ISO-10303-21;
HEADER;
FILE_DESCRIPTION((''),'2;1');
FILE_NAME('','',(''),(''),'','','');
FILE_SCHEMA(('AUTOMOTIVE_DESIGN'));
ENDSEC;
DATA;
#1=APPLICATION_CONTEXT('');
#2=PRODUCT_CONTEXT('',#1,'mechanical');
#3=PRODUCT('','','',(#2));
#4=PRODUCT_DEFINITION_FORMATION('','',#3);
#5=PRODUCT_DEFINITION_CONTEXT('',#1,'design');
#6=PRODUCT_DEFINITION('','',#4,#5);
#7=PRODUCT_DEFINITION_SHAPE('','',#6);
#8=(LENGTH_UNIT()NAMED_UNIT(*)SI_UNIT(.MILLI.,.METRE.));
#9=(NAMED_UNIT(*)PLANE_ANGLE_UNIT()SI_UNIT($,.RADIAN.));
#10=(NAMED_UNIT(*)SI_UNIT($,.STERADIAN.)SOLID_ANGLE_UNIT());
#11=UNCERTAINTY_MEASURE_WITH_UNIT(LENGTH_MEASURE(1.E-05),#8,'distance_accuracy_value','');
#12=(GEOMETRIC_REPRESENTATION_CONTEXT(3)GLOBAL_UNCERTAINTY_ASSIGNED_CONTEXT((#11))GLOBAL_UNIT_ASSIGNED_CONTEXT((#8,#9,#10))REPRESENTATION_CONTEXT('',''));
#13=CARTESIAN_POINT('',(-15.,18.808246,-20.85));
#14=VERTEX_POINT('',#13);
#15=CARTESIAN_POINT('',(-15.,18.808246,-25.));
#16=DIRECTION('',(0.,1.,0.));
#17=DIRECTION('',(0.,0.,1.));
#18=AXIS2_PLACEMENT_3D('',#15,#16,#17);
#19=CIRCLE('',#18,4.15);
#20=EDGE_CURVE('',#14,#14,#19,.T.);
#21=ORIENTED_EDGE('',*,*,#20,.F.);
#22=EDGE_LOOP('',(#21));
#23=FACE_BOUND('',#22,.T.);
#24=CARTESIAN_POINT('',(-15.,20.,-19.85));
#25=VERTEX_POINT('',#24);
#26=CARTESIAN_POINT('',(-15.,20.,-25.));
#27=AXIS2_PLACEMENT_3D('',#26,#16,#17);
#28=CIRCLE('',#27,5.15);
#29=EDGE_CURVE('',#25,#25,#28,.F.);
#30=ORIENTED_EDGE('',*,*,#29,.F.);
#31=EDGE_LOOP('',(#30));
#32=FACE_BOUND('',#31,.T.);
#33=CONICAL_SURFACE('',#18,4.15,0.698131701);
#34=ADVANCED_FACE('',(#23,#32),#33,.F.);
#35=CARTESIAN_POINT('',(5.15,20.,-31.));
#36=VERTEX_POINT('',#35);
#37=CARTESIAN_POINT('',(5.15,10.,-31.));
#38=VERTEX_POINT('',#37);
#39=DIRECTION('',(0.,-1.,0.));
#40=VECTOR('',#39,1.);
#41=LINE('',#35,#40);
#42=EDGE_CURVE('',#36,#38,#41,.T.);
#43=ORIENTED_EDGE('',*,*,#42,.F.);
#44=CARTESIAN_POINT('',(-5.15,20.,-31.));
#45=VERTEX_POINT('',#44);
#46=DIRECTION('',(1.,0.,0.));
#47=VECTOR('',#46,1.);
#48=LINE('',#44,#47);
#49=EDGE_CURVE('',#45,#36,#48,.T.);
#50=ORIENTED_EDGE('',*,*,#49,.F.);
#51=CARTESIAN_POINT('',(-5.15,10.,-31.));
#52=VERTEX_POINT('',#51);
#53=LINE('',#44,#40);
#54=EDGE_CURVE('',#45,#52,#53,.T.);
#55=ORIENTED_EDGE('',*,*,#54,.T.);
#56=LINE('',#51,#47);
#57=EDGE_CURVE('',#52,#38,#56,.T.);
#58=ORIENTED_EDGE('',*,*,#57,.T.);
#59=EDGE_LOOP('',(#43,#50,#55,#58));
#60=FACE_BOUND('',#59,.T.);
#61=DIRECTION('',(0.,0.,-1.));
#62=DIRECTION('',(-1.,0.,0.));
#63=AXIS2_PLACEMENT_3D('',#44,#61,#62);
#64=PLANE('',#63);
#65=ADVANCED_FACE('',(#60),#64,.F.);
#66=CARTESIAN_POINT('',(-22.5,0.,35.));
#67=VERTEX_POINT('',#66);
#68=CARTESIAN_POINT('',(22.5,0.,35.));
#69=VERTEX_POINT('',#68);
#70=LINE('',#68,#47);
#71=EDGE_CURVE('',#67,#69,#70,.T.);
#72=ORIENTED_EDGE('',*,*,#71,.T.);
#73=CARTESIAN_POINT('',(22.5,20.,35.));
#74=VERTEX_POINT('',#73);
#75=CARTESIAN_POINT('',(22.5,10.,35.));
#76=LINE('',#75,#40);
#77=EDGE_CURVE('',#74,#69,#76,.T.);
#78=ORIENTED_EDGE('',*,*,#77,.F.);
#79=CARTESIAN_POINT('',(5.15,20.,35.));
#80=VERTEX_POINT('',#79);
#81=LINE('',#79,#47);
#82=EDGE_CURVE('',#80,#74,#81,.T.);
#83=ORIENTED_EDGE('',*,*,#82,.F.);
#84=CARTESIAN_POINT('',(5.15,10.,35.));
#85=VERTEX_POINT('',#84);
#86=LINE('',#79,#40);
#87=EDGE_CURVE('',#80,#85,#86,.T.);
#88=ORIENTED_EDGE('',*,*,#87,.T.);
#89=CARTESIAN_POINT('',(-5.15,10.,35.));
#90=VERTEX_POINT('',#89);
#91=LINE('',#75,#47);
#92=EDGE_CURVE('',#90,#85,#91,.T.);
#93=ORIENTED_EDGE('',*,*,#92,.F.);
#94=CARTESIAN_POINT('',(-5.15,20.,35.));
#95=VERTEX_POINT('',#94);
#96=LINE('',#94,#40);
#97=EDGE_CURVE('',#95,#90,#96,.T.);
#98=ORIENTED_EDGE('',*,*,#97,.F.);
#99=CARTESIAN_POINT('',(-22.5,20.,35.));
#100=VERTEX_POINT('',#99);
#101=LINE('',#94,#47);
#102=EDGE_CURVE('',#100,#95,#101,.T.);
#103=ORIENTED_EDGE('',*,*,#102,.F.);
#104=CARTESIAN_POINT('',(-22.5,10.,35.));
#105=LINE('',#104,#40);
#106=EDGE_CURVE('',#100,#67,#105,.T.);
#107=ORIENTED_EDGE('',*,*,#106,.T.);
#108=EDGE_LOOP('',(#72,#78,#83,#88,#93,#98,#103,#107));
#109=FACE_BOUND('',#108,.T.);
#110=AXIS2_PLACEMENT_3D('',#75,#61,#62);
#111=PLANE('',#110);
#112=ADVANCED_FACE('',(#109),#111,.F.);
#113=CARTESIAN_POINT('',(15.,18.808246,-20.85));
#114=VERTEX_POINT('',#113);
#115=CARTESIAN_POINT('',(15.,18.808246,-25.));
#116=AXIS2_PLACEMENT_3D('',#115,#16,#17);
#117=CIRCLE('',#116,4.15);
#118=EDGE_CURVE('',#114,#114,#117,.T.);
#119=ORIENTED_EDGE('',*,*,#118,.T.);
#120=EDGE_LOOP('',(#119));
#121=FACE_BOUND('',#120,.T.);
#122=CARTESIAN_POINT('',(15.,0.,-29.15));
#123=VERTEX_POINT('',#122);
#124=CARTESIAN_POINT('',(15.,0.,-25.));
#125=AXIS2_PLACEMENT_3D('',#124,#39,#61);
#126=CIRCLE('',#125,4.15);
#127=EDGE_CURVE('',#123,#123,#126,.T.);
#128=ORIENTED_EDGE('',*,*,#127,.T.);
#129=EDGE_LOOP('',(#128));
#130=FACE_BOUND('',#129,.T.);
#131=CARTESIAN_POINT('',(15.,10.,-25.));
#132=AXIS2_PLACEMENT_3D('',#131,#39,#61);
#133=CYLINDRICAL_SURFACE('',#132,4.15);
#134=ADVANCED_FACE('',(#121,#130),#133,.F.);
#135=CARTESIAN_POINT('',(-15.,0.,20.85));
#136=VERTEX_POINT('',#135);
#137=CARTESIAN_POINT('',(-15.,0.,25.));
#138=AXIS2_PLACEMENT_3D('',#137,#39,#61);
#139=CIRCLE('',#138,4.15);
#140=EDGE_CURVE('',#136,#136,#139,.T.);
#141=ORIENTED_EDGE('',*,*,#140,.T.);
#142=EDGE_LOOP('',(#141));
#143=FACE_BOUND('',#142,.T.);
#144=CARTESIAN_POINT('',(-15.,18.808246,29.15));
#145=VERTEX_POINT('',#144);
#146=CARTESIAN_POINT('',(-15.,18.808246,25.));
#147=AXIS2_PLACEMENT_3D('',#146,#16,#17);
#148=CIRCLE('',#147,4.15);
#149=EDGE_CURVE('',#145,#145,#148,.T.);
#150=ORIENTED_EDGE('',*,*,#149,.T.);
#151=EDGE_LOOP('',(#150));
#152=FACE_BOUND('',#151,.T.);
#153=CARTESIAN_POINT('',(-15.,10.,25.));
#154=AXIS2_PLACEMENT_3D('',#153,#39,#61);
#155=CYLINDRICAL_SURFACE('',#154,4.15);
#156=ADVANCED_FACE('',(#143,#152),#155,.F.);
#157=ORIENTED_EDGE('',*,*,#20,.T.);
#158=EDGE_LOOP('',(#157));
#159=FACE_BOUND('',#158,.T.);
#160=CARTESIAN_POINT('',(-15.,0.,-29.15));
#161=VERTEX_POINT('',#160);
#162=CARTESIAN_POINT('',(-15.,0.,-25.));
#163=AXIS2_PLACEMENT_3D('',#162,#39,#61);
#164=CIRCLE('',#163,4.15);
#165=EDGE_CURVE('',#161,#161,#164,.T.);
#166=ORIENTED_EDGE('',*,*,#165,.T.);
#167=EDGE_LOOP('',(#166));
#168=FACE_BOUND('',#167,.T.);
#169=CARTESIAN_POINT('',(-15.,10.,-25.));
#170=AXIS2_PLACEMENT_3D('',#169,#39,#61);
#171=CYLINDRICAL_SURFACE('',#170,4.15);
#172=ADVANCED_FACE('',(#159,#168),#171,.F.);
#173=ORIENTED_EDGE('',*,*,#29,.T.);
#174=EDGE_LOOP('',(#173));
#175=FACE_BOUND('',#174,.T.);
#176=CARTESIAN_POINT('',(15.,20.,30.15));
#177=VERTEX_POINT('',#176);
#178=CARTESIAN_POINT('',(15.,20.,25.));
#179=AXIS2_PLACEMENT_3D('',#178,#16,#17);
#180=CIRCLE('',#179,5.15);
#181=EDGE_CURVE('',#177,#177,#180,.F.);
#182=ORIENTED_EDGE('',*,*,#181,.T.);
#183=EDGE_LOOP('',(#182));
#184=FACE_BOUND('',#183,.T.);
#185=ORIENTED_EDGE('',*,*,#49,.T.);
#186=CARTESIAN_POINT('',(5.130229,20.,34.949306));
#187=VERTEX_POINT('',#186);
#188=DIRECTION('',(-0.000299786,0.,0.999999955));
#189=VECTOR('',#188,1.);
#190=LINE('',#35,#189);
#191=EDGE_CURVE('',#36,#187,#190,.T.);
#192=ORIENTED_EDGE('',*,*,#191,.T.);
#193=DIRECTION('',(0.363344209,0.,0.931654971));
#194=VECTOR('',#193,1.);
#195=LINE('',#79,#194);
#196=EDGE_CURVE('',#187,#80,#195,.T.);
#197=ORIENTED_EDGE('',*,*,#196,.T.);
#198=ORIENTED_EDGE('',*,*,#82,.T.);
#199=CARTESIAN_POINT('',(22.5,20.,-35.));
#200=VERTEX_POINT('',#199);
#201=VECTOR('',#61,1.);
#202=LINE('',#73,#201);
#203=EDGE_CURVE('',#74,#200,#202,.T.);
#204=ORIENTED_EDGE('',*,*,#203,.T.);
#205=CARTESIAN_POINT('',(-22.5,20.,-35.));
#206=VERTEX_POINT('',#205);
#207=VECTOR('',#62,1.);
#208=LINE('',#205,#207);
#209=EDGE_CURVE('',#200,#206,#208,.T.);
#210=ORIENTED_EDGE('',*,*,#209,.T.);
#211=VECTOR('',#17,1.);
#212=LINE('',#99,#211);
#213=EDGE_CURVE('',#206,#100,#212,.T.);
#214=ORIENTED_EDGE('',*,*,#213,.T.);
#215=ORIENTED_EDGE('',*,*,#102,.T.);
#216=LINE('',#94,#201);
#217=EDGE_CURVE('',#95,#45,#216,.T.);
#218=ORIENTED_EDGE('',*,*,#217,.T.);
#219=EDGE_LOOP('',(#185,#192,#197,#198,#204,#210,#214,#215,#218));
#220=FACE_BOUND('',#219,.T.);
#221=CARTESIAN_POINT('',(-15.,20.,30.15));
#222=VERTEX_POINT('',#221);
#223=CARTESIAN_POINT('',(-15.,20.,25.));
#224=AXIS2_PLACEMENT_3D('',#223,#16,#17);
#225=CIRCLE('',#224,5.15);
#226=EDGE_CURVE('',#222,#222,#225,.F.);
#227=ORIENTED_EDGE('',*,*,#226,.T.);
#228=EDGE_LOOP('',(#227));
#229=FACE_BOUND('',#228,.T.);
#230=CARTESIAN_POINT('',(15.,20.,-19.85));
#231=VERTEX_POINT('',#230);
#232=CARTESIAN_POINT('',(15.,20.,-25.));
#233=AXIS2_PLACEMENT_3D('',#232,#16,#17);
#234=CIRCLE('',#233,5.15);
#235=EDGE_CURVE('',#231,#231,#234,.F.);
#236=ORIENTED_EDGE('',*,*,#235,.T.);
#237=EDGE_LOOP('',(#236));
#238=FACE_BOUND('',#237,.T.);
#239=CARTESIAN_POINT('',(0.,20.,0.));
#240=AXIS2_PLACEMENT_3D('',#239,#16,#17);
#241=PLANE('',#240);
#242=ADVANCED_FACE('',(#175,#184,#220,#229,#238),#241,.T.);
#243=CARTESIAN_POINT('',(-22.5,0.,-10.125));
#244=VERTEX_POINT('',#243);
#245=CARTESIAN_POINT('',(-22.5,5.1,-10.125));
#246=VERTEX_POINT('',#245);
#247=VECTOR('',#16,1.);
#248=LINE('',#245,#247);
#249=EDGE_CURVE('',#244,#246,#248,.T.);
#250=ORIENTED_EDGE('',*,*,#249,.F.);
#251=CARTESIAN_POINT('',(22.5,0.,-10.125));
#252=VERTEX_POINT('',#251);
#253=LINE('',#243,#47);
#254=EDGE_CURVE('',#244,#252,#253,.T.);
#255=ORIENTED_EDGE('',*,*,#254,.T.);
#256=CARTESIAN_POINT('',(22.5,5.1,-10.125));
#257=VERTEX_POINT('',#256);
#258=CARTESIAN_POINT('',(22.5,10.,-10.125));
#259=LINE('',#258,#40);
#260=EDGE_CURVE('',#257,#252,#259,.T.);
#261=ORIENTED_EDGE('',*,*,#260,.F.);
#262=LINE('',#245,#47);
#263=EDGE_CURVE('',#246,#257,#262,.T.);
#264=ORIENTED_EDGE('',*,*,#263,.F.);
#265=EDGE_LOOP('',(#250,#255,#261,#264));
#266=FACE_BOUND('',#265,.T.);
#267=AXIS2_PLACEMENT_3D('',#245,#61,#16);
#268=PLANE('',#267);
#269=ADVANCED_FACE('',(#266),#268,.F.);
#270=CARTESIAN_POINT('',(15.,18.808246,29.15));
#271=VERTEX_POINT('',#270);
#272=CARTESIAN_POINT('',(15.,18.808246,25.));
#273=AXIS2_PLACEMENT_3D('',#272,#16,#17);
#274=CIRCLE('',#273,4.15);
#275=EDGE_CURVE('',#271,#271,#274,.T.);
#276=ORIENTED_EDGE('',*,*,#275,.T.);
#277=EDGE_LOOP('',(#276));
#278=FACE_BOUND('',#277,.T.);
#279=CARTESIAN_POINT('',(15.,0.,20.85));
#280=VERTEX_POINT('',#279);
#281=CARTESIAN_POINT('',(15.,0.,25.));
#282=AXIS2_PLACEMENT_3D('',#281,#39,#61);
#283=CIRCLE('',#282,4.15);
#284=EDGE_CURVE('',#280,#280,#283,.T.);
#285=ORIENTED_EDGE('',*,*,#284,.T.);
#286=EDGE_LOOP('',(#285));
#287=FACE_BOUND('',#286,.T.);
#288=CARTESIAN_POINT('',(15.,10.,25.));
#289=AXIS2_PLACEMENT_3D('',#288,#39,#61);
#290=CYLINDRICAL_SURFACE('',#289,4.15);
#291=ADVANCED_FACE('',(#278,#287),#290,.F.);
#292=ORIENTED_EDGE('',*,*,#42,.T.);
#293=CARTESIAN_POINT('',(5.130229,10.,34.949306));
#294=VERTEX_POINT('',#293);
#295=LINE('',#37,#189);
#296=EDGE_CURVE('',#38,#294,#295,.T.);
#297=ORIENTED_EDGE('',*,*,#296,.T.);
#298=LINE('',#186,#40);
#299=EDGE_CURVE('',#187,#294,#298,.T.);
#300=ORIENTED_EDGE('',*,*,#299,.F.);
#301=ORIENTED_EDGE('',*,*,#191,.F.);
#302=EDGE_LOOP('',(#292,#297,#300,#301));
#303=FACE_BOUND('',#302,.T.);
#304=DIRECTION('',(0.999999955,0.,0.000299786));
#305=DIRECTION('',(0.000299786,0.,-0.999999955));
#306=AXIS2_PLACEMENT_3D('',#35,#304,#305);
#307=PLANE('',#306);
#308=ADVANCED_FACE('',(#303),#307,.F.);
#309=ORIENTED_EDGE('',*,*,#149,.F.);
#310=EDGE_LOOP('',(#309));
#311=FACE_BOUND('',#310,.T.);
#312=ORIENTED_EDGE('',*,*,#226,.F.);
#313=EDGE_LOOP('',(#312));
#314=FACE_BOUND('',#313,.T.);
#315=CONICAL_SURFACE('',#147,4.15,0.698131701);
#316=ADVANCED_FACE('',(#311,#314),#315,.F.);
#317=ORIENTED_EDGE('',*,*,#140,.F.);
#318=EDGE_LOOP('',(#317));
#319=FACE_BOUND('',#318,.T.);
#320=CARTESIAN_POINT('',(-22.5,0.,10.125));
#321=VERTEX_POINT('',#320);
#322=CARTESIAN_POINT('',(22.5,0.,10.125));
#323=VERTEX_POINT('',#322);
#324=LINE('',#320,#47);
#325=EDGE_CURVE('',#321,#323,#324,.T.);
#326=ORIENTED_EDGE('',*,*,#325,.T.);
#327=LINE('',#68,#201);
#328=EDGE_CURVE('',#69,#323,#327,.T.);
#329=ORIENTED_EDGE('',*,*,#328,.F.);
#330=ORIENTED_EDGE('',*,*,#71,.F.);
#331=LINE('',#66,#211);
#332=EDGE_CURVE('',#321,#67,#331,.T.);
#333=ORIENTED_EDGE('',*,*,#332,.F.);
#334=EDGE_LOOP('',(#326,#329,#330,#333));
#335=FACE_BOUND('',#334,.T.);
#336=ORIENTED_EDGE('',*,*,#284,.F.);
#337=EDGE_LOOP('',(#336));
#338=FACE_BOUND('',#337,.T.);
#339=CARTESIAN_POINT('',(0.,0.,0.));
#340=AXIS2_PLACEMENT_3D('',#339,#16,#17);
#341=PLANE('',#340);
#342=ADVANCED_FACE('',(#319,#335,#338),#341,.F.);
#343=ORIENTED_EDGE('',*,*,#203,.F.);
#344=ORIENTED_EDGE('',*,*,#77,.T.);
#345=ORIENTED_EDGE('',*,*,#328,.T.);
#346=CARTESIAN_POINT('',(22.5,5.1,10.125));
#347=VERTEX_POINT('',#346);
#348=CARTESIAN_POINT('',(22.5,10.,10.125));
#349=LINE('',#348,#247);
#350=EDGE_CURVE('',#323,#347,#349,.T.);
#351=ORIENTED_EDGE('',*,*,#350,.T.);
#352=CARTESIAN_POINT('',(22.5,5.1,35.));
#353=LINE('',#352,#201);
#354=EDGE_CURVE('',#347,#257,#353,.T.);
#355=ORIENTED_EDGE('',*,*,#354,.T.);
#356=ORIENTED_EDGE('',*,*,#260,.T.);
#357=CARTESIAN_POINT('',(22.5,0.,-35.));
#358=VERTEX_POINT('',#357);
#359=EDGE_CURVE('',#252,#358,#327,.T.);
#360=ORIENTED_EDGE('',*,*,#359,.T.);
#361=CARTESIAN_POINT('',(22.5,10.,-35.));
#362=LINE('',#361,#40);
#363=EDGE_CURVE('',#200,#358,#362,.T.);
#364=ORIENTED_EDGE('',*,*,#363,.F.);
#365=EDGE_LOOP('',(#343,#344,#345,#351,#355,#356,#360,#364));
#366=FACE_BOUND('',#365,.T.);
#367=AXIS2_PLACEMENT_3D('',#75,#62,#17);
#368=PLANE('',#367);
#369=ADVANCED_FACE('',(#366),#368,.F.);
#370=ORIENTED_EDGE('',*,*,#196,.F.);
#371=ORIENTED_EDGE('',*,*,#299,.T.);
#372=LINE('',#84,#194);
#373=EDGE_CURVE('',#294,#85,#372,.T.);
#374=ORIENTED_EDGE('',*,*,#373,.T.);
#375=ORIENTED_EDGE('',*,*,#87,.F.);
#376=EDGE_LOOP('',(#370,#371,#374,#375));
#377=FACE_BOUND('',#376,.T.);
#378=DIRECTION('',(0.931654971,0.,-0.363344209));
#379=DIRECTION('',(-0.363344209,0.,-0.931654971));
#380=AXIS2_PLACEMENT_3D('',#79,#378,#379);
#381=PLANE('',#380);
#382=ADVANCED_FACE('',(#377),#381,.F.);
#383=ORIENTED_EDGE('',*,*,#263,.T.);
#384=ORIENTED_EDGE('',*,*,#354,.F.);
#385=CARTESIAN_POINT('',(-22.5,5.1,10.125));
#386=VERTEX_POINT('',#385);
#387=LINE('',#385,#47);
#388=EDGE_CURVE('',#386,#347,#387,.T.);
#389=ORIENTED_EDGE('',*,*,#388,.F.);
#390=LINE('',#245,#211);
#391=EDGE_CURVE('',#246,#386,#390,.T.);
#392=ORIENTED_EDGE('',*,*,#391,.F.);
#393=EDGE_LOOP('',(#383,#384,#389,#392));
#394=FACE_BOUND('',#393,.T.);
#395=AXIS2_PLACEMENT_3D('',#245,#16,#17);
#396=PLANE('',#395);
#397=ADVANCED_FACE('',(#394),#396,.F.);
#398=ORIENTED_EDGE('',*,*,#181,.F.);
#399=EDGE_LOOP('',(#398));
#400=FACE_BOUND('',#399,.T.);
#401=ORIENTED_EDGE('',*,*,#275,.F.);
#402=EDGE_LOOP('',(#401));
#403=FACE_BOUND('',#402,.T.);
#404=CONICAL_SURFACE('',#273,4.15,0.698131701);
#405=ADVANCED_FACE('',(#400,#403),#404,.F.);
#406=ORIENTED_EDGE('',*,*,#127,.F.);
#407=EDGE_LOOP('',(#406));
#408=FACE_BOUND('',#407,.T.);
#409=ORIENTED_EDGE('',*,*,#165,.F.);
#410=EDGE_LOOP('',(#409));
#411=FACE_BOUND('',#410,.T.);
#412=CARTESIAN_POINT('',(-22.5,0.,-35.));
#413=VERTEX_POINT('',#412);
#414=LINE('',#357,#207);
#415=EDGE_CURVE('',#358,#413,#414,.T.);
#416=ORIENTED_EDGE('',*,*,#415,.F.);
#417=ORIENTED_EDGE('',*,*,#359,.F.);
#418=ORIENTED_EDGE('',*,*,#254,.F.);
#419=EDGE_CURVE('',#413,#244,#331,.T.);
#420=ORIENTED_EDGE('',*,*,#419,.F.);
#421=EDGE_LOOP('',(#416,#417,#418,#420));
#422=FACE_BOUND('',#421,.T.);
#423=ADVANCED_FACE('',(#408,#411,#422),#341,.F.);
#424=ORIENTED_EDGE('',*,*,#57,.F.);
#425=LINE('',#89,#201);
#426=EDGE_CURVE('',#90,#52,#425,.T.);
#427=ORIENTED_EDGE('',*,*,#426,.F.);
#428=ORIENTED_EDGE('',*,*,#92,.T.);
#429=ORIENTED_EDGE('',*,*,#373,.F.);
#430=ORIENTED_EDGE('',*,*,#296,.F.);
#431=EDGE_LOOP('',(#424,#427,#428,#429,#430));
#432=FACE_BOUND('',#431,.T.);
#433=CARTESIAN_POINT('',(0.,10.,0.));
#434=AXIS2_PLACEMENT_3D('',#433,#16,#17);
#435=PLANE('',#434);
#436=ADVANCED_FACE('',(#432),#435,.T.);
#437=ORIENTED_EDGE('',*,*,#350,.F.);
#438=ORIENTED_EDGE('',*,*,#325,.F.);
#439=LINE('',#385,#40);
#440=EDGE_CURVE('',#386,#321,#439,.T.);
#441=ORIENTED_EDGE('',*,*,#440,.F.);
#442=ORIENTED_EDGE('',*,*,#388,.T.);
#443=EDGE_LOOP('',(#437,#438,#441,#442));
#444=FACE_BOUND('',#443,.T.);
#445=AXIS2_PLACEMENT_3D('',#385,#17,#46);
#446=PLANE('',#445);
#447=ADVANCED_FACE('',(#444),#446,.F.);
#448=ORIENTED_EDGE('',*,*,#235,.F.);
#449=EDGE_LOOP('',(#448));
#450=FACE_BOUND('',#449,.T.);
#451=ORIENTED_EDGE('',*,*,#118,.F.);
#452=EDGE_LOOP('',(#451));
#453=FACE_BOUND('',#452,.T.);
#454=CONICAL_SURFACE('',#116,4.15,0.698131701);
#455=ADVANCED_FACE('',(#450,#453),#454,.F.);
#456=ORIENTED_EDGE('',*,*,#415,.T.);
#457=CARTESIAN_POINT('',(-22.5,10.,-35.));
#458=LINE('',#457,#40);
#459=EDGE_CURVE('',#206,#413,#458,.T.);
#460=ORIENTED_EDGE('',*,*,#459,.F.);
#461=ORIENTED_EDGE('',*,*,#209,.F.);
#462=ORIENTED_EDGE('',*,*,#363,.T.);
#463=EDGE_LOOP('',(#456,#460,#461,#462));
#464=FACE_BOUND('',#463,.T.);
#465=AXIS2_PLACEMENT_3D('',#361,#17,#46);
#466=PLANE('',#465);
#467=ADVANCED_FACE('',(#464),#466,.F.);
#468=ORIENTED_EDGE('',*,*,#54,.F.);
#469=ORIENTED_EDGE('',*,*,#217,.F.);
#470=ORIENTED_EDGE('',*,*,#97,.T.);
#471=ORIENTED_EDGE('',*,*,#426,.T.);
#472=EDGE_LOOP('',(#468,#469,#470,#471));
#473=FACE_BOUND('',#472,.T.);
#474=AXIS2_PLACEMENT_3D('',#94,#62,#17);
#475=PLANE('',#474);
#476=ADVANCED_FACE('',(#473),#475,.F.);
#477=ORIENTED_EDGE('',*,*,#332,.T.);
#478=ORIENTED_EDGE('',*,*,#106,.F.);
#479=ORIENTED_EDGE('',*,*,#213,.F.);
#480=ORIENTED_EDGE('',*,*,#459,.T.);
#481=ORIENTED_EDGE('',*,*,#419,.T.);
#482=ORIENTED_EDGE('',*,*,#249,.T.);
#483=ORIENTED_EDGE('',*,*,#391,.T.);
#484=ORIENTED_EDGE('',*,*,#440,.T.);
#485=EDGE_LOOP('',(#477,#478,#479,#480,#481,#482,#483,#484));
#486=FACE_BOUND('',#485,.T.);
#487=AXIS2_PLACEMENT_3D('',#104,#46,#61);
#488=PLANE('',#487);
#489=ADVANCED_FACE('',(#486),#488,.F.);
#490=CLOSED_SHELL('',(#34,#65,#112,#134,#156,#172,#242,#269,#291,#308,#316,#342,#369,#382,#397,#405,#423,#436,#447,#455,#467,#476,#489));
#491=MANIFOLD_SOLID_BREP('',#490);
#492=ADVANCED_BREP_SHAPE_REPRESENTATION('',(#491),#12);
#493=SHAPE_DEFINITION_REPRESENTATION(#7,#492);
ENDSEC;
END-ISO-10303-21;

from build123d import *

# Parameters (mm, degrees)
SKETCH1_W               = 45
SKETCH1_H               = 70
BOSS_EXTRUDE1_DEPTH     = 10
SKETCH2_W               = 20.25
SKETCH2_H               = 5.1
CUT_EXTRUDE1_DEPTH      = 1
CUT_EXTRUDE1_DEPTH_BACK = 46
SKETCH3_R               = 4.15
CUT_EXTRUDE2_DEPTH      = 11
SKETCH5_R               = 4.15
BOSS_EXTRUDE2_DEPTH     = 10
CHAMFER1_SIZE           = 1
CHAMFER1_SIZE2          = 1.191753593


with BuildPart() as part:
    # Sketch1 → Boss-Extrude1 (new body)
    with BuildSketch(Plane(origin=(0, 0, 0), x_dir=(1, 0, 0), z_dir=(0, 1, 0))):
        Rectangle(SKETCH1_W, SKETCH1_H)
    extrude(amount=BOSS_EXTRUDE1_DEPTH)

    # Sketch2 → Cut-Extrude1 (cut, two sides)
    with BuildSketch(Plane(origin=(22.5, 0, 0), x_dir=(0, 0, -1), z_dir=(1, 0, 0))) as cut_extrude1_sk:
        with Locations((0, 2.55)):
            Rectangle(SKETCH2_W, SKETCH2_H)
    extrude(amount=CUT_EXTRUDE1_DEPTH, mode=Mode.SUBTRACT)
    extrude(cut_extrude1_sk.sketch, amount=-CUT_EXTRUDE1_DEPTH_BACK, mode=Mode.SUBTRACT)

    # Sketch3 → Cut-Extrude2 (cut, through all)
    with BuildSketch(Plane.XZ):
        with Locations((15, 25)):
            Circle(SKETCH3_R)
        with Locations((15, -25)):
            Circle(SKETCH3_R)
        with Locations((-15, -25)):
            Circle(SKETCH3_R)
        with Locations((-15, 25)):
            Circle(SKETCH3_R)
    extrude(amount=-CUT_EXTRUDE2_DEPTH, mode=Mode.SUBTRACT)

    # Sketch5 → Boss-Extrude2 (add)
    with BuildSketch(Plane(origin=(0, 10, 0), x_dir=(1, 0, 0), z_dir=(0, 1, 0))):
        Polygon((-5.15, -35), (-22.5, -35), (-22.5, 35), (22.5, 35), (22.5, -35), (5.15, -35), (5.130229348, -34.949305848), (5.15, 31), (-5.15, 31), align=None)
        with Locations((-15, 25)):
            Circle(SKETCH5_R, mode=Mode.SUBTRACT)
        with Locations((15, 25)):
            Circle(SKETCH5_R, mode=Mode.SUBTRACT)
        with Locations((15, -25)):
            Circle(SKETCH5_R, mode=Mode.SUBTRACT)
        with Locations((-15, -25)):
            Circle(SKETCH5_R, mode=Mode.SUBTRACT)
    extrude(amount=BOSS_EXTRUDE2_DEPTH)

    # Chamfer1
    chamfer1_edges = [part.edges().sort_by_distance(p)[0] for p in [
        (-19.15, 20, -25),
        (10.85, 20, -25),
        (10.85, 20, 25),
        (-19.15, 20, 25),
    ]]
    chamfer1_side = [part.faces().sort_by_distance(p)[0] for p in [
        (-13.825, 20, 34.167834151),
    ]]
    chamfer(chamfer1_edges, length=CHAMFER1_SIZE, length2=CHAMFER1_SIZE2, reference=chamfer1_side[0])


solid = part.part
